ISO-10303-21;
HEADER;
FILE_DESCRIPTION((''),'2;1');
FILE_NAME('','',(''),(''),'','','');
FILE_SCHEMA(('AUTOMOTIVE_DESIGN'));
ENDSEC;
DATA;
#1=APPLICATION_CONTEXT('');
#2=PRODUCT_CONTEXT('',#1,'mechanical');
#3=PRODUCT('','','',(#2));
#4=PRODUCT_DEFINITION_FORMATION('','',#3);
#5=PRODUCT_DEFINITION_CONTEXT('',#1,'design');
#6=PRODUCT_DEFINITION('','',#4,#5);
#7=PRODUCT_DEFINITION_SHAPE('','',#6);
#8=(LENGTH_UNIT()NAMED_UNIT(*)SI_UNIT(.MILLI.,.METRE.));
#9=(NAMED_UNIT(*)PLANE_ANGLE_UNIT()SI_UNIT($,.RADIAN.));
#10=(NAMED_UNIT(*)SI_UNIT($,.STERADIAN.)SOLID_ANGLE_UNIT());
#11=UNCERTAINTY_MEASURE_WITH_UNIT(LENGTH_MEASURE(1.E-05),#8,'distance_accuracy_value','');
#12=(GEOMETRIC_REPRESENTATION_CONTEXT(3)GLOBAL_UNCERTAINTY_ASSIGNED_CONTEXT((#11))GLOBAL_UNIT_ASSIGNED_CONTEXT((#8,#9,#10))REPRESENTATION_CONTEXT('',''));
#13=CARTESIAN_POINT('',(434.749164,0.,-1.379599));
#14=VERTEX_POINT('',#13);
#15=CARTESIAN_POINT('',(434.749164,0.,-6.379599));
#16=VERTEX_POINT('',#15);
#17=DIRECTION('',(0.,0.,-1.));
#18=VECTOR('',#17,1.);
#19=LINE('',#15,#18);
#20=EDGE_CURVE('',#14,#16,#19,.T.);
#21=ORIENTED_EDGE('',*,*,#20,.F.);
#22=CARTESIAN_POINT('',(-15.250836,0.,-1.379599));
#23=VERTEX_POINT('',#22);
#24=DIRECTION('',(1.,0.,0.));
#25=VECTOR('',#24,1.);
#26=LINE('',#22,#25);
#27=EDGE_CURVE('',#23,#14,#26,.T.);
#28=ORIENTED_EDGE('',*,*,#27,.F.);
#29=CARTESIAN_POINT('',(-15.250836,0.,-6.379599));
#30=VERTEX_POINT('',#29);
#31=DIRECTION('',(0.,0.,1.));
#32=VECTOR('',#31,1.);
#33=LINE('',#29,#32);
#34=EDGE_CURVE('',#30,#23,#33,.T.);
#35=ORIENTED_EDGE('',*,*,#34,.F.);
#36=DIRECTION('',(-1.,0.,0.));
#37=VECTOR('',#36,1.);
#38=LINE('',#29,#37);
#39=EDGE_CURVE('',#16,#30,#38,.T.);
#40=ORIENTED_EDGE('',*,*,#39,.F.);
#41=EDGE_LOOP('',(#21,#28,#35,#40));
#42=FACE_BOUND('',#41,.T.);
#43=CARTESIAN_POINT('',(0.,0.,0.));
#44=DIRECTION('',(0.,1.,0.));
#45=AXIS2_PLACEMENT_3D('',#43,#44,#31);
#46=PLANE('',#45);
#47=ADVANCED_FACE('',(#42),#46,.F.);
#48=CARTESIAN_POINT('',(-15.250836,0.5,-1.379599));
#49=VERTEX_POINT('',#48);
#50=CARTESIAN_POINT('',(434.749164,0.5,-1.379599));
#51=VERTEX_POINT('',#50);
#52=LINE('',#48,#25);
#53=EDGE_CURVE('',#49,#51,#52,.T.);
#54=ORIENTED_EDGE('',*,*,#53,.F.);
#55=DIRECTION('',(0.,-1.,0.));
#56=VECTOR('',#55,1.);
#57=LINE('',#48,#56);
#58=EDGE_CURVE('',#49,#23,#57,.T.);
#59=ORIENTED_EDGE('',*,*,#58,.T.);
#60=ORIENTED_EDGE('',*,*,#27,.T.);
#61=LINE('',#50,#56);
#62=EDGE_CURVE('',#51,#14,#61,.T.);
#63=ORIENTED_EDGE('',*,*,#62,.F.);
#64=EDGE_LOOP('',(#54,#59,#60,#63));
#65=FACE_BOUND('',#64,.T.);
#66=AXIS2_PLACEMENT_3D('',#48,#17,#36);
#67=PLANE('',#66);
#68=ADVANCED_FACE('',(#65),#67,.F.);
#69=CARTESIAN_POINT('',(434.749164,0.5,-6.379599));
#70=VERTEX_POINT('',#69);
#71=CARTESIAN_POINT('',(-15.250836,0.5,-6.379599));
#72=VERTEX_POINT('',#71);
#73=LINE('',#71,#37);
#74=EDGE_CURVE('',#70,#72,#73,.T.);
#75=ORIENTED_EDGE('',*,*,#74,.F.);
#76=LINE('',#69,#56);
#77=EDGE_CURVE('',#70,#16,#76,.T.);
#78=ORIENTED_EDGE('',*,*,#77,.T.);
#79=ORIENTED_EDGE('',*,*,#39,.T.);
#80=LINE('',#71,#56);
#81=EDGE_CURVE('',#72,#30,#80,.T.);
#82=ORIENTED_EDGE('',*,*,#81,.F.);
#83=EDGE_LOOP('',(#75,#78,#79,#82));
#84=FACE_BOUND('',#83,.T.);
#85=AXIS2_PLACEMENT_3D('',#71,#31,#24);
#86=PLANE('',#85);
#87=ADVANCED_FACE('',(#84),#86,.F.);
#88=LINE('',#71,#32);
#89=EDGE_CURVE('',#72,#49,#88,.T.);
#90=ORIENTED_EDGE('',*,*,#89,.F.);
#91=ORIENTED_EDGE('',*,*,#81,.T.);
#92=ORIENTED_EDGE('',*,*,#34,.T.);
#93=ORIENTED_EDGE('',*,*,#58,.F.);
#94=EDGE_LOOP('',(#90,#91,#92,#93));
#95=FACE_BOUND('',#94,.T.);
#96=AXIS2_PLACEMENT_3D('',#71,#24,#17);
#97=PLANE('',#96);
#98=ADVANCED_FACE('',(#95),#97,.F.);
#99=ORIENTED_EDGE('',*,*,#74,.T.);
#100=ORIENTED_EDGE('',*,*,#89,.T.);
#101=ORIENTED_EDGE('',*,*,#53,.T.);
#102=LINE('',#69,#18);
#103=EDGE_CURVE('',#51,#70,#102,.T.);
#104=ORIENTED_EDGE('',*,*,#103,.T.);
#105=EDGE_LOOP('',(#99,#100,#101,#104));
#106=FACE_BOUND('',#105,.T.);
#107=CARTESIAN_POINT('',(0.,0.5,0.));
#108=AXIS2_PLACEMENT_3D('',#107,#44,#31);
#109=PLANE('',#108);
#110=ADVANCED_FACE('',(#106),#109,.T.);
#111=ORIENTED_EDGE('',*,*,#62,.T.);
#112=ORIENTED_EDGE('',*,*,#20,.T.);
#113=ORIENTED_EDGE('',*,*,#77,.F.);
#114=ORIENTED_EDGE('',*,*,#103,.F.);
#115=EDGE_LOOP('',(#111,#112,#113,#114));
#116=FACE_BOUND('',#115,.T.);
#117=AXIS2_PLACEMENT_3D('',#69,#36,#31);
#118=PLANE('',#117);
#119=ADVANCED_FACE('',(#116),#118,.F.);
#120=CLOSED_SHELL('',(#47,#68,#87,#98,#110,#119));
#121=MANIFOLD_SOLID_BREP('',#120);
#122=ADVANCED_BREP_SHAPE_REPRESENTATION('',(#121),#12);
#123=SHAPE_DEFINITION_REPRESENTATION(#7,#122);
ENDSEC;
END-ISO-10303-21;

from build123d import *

# Parameters (mm, degrees)
SKETCH1_W           = 450
SKETCH1_H           = 5
BOSS_EXTRUDE1_DEPTH = 0.5


with BuildPart() as part:
    # Sketch1 → Boss-Extrude1 (new body)
    with BuildSketch(Plane(origin=(0, 0, 0), x_dir=(1, 0, 0), z_dir=(0, 1, 0))):
        with Locations((209.74916388, 3.879598662)):
            Rectangle(SKETCH1_W, SKETCH1_H)
    extrude(amount=BOSS_EXTRUDE1_DEPTH)


solid = part.part
